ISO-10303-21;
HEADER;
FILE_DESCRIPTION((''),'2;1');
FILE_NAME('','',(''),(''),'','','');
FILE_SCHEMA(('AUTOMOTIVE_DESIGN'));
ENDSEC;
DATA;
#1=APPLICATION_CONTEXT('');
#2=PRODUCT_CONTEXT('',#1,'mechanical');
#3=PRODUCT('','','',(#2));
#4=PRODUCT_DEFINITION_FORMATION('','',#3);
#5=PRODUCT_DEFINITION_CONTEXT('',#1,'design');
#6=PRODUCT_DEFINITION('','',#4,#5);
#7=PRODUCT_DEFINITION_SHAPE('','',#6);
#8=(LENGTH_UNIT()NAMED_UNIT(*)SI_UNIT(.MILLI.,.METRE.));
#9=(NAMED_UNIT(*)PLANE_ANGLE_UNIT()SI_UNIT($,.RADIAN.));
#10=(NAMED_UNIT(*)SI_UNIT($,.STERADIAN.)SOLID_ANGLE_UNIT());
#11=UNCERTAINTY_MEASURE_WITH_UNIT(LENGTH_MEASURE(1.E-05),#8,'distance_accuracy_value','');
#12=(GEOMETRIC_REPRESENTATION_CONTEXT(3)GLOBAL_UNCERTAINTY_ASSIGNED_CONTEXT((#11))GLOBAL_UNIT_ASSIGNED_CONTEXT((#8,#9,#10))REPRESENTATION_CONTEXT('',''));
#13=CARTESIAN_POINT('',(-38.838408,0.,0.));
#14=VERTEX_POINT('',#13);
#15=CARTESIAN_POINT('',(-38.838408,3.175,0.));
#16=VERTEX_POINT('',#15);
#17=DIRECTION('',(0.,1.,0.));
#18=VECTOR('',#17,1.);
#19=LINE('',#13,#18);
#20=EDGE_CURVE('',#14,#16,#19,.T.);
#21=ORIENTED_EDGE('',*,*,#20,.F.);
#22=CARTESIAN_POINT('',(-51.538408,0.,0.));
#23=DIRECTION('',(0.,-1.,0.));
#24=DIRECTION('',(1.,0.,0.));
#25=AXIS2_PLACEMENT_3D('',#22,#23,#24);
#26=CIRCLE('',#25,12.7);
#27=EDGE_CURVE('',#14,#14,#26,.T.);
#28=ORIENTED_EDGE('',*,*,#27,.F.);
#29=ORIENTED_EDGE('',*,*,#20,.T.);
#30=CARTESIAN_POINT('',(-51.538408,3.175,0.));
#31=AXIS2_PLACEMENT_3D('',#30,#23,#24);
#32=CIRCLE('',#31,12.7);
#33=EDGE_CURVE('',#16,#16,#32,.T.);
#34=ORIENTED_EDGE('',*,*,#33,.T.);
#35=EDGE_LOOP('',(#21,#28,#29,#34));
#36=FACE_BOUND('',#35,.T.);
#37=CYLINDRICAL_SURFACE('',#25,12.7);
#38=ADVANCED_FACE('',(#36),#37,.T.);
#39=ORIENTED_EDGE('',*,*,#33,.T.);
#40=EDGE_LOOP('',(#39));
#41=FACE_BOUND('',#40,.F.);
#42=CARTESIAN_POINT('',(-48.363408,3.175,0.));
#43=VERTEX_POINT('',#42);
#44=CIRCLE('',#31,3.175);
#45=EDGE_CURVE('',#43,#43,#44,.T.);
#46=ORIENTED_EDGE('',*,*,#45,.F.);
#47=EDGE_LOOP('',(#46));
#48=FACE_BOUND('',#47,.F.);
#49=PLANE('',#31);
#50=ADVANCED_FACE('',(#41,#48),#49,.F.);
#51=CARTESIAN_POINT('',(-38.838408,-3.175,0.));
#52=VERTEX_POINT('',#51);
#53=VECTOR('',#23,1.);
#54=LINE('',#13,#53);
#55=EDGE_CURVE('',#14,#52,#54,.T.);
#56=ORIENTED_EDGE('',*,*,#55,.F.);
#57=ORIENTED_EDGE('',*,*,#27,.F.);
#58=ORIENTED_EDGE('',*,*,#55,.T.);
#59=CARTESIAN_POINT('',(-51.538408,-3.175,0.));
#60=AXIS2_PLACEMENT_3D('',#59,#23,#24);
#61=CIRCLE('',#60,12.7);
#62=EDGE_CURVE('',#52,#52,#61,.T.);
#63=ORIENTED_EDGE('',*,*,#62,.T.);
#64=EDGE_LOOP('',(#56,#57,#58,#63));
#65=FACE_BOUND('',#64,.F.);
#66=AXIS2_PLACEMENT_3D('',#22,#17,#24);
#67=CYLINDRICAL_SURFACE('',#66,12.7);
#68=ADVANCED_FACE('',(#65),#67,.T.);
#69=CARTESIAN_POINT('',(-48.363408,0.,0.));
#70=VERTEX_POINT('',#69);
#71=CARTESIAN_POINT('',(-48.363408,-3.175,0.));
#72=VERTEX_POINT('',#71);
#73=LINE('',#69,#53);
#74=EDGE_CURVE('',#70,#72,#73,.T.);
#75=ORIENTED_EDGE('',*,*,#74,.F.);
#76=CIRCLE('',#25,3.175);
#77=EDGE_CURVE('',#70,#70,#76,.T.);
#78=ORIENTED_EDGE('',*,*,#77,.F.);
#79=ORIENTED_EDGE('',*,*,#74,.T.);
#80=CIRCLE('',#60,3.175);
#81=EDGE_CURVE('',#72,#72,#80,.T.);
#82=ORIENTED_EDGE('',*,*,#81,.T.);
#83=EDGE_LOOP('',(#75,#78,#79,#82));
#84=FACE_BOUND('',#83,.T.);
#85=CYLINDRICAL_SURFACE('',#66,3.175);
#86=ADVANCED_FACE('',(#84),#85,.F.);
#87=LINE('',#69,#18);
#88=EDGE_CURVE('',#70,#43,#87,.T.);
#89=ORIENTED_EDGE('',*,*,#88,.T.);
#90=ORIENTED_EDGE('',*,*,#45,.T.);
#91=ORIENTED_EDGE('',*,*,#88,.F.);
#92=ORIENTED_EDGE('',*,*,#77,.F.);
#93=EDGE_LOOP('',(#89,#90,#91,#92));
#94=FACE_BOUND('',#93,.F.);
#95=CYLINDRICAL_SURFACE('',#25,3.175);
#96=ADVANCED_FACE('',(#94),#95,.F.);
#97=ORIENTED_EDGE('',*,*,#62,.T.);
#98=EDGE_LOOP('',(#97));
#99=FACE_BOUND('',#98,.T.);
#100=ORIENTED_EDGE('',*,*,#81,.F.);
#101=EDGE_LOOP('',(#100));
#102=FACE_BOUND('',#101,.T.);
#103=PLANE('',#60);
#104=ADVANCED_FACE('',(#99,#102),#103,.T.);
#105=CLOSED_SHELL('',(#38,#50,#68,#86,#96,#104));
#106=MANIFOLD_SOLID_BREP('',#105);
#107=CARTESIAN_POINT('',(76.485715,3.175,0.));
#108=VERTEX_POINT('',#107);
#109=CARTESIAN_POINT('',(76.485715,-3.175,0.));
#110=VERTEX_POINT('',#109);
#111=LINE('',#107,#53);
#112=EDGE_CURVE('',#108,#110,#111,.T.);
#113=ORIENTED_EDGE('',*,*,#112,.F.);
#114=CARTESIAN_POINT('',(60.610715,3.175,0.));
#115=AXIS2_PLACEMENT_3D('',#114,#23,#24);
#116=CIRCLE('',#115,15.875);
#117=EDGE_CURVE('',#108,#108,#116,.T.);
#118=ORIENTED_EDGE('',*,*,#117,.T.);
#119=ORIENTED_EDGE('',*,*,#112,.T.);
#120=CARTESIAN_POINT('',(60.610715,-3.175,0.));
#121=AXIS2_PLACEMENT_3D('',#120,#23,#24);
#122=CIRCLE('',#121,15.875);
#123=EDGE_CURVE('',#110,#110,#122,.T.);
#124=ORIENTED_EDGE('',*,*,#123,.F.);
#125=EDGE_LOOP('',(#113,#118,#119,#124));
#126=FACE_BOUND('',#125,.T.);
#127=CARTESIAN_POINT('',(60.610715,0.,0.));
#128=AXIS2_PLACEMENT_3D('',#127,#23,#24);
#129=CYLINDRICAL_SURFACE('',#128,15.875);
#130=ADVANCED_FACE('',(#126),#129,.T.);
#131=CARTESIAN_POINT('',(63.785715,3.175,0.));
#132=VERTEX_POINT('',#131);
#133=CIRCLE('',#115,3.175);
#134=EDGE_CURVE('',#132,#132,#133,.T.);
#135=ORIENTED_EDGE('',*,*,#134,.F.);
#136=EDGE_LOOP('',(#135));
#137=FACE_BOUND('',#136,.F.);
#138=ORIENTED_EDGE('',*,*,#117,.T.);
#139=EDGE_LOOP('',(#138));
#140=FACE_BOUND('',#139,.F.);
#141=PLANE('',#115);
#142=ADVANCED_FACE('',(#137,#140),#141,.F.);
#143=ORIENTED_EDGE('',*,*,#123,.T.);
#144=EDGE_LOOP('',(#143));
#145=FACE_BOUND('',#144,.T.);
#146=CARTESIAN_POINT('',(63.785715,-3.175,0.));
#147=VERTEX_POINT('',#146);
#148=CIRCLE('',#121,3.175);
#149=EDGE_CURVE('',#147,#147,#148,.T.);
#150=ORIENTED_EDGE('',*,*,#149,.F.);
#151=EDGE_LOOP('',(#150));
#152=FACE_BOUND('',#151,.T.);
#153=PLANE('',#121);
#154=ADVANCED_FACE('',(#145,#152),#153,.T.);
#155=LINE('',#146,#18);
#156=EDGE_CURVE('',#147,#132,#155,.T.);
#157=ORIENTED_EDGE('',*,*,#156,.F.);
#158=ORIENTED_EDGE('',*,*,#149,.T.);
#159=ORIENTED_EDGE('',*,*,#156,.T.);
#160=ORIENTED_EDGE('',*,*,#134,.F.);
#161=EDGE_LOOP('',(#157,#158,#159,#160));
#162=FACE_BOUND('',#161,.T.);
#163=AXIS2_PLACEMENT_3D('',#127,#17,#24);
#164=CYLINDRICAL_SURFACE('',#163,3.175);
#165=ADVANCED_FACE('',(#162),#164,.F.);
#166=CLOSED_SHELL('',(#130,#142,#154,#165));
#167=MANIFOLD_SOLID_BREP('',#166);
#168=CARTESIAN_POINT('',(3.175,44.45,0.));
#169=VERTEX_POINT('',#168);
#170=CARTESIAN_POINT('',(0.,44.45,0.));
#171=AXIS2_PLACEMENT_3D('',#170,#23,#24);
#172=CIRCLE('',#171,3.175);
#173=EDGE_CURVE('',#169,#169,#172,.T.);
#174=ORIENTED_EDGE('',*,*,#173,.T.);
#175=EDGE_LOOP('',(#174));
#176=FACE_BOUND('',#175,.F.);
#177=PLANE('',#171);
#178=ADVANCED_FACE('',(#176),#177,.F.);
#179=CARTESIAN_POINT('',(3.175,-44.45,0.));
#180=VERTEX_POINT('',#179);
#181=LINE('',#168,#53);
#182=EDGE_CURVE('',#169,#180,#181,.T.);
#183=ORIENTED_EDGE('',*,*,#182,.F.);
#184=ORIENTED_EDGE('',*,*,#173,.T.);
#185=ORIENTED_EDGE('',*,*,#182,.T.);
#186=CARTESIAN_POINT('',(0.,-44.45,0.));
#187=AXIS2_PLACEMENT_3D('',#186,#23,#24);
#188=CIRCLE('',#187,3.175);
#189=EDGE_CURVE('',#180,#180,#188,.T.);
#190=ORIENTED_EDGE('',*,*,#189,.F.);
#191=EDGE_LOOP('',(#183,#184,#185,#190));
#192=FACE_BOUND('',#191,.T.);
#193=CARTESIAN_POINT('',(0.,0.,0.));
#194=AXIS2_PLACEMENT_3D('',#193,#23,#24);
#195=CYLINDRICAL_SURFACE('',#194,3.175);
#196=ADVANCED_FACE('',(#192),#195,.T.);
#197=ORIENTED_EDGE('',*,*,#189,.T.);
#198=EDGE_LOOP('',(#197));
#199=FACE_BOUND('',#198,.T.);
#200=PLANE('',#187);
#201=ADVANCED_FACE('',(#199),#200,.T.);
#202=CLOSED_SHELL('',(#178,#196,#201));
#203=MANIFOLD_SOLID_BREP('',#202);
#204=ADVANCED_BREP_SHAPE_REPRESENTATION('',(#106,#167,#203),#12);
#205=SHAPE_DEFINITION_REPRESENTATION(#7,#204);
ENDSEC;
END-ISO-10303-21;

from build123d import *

# Parameters (mm, degrees)
F0_R     = 12.7
F0_R_2   = 3.175
F0_R_3   = 15.875
F1_DEPTH = 3.175
F2_DEPTH = 44.45


with BuildPart() as f1:
    # F0 (on Front) → F1 (new body, symmetric)
    with BuildSketch(Plane.XZ):
        with Locations((-51.538408, 0)):
            Circle(F0_R)
        with Locations((-51.538408, 0)):
            Circle(F0_R_2, mode=Mode.SUBTRACT)
        with Locations((60.610715, 0)):
            Circle(F0_R_3)
        with Locations((60.610715, 0)):
            Circle(F0_R_2, mode=Mode.SUBTRACT)
    extrude(amount=F1_DEPTH, both=True)


with BuildPart() as f2:
    # F0 (on Front) → F2 (new body, symmetric)
    with BuildSketch(Plane.XZ):
        Circle(F0_R_2)
    extrude(amount=F2_DEPTH, both=True)


solid = Compound([f1.part, f2.part])
